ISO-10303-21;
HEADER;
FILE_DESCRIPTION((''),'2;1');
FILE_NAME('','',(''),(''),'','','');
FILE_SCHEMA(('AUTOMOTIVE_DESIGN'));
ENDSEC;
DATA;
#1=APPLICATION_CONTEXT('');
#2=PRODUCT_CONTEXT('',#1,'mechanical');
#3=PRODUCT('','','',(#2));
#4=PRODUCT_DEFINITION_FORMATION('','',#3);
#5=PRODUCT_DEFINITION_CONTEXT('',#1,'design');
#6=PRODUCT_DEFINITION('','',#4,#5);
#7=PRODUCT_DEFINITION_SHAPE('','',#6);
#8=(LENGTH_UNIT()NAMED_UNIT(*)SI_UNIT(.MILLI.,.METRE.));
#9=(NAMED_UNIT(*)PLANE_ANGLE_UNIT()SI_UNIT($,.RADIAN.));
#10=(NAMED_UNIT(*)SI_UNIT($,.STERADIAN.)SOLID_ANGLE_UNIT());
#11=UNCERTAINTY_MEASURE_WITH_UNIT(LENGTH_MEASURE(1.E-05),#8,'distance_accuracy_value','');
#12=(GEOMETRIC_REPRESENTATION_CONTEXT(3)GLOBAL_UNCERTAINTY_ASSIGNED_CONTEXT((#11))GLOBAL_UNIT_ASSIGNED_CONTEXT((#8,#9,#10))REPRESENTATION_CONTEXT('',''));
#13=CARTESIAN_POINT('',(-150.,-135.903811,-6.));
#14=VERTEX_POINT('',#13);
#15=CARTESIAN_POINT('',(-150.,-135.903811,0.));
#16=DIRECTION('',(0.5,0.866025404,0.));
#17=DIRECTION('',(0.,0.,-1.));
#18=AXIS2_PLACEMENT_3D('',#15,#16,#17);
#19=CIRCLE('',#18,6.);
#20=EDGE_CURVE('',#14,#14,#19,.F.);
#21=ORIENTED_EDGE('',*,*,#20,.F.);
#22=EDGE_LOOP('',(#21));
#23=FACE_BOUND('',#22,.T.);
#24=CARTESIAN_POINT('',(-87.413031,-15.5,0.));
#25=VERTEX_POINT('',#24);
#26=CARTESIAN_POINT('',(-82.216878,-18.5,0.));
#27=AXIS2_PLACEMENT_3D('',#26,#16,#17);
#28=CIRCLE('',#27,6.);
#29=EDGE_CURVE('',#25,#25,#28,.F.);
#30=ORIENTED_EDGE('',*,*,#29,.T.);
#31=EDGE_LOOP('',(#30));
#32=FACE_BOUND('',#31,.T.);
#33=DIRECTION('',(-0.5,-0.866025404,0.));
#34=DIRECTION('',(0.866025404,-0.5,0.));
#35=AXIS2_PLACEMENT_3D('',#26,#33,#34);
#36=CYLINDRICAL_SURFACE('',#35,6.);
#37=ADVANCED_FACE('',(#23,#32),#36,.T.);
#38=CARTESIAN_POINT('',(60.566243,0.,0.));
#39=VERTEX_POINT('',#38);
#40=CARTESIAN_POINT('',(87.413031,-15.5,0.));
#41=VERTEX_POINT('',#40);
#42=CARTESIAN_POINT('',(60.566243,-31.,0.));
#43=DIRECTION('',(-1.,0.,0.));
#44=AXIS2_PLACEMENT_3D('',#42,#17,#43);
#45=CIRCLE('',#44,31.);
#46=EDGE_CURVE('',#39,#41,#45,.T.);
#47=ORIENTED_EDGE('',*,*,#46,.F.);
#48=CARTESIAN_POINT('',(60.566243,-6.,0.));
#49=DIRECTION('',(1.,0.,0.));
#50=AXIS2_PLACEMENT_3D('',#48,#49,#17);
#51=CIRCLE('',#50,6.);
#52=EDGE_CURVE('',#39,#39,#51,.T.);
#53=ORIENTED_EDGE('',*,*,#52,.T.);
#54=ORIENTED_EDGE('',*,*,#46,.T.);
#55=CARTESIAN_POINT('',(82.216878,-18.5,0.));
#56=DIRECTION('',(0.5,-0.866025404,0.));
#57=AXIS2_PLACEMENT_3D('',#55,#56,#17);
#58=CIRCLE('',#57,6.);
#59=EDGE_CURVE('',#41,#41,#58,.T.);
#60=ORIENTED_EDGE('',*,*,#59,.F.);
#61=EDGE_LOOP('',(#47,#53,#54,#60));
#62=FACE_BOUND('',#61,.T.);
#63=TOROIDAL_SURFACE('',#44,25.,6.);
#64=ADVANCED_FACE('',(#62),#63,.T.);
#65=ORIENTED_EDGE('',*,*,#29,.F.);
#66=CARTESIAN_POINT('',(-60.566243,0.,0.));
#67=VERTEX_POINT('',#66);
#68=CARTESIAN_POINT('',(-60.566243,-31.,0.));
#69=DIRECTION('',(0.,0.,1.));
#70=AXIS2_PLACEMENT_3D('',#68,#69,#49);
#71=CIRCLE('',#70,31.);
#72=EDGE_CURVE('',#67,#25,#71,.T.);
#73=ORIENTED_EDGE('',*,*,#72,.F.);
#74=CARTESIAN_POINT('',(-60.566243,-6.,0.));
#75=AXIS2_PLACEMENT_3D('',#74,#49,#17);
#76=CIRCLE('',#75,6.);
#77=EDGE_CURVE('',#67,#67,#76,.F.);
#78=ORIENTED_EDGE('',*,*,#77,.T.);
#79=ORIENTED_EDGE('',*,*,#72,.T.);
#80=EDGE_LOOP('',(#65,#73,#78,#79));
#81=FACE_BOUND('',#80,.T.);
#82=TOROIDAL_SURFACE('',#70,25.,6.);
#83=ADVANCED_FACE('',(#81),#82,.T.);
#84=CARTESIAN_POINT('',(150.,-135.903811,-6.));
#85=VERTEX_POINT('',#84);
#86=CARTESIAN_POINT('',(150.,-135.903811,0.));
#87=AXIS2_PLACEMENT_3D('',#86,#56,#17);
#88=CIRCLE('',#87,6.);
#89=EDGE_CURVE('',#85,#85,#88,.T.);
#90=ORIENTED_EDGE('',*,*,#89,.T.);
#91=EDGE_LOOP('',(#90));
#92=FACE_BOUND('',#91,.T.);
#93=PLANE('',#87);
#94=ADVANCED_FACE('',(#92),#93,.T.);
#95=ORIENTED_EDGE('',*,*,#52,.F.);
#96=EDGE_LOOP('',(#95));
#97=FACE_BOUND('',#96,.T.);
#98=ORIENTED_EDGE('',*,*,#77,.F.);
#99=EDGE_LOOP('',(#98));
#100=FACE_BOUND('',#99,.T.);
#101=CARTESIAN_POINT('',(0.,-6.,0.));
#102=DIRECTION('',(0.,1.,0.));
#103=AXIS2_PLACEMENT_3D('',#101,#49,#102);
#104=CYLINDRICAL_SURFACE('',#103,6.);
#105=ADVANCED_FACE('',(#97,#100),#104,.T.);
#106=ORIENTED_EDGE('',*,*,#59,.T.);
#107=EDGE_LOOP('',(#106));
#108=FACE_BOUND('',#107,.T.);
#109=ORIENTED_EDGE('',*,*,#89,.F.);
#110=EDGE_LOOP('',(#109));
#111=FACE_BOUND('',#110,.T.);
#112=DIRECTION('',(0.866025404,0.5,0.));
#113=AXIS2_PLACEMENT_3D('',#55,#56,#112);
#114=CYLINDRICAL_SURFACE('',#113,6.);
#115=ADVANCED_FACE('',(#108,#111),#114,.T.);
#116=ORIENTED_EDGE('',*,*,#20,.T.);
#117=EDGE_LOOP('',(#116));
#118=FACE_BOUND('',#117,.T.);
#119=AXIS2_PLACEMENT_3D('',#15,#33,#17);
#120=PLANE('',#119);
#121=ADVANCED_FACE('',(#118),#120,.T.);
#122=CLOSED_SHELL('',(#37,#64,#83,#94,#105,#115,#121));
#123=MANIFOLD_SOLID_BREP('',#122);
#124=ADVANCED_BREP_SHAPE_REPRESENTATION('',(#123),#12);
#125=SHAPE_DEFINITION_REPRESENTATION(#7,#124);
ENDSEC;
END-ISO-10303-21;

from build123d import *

# Parameters (mm, degrees)
SKETCH_1_R = 6


with BuildPart() as part:
    # По траектории1: sweep along a path in Эскиз2
    with BuildLine(Plane.XY) as sweep_1_path:
        Line((0, -6), (60.56624327, -6))
        ThreePointArc((60.56624327, -6), (73.06624327, -9.349364905), (82.216878365, -18.5))
        Line((82.216878365, -18.5), (150, -135.903810568))
    # Эскиз1 → По траектории1 (sweep)
    with BuildSketch(Plane(origin=(0, 0, 0), x_dir=(0, 0, -1), z_dir=(1, 0, 0))):
        with Locations((0, -6)):
            Circle(SKETCH_1_R)
    sweep_1 = sweep(path=sweep_1_path.line)

    # Зеркальное отражение1: По траектории1 across plane
    add(sweep_1.mirror(Plane(origin=(0, -6, 0), x_dir=(0, 0, 1), z_dir=(1, 0, 0))))


solid = part.part
